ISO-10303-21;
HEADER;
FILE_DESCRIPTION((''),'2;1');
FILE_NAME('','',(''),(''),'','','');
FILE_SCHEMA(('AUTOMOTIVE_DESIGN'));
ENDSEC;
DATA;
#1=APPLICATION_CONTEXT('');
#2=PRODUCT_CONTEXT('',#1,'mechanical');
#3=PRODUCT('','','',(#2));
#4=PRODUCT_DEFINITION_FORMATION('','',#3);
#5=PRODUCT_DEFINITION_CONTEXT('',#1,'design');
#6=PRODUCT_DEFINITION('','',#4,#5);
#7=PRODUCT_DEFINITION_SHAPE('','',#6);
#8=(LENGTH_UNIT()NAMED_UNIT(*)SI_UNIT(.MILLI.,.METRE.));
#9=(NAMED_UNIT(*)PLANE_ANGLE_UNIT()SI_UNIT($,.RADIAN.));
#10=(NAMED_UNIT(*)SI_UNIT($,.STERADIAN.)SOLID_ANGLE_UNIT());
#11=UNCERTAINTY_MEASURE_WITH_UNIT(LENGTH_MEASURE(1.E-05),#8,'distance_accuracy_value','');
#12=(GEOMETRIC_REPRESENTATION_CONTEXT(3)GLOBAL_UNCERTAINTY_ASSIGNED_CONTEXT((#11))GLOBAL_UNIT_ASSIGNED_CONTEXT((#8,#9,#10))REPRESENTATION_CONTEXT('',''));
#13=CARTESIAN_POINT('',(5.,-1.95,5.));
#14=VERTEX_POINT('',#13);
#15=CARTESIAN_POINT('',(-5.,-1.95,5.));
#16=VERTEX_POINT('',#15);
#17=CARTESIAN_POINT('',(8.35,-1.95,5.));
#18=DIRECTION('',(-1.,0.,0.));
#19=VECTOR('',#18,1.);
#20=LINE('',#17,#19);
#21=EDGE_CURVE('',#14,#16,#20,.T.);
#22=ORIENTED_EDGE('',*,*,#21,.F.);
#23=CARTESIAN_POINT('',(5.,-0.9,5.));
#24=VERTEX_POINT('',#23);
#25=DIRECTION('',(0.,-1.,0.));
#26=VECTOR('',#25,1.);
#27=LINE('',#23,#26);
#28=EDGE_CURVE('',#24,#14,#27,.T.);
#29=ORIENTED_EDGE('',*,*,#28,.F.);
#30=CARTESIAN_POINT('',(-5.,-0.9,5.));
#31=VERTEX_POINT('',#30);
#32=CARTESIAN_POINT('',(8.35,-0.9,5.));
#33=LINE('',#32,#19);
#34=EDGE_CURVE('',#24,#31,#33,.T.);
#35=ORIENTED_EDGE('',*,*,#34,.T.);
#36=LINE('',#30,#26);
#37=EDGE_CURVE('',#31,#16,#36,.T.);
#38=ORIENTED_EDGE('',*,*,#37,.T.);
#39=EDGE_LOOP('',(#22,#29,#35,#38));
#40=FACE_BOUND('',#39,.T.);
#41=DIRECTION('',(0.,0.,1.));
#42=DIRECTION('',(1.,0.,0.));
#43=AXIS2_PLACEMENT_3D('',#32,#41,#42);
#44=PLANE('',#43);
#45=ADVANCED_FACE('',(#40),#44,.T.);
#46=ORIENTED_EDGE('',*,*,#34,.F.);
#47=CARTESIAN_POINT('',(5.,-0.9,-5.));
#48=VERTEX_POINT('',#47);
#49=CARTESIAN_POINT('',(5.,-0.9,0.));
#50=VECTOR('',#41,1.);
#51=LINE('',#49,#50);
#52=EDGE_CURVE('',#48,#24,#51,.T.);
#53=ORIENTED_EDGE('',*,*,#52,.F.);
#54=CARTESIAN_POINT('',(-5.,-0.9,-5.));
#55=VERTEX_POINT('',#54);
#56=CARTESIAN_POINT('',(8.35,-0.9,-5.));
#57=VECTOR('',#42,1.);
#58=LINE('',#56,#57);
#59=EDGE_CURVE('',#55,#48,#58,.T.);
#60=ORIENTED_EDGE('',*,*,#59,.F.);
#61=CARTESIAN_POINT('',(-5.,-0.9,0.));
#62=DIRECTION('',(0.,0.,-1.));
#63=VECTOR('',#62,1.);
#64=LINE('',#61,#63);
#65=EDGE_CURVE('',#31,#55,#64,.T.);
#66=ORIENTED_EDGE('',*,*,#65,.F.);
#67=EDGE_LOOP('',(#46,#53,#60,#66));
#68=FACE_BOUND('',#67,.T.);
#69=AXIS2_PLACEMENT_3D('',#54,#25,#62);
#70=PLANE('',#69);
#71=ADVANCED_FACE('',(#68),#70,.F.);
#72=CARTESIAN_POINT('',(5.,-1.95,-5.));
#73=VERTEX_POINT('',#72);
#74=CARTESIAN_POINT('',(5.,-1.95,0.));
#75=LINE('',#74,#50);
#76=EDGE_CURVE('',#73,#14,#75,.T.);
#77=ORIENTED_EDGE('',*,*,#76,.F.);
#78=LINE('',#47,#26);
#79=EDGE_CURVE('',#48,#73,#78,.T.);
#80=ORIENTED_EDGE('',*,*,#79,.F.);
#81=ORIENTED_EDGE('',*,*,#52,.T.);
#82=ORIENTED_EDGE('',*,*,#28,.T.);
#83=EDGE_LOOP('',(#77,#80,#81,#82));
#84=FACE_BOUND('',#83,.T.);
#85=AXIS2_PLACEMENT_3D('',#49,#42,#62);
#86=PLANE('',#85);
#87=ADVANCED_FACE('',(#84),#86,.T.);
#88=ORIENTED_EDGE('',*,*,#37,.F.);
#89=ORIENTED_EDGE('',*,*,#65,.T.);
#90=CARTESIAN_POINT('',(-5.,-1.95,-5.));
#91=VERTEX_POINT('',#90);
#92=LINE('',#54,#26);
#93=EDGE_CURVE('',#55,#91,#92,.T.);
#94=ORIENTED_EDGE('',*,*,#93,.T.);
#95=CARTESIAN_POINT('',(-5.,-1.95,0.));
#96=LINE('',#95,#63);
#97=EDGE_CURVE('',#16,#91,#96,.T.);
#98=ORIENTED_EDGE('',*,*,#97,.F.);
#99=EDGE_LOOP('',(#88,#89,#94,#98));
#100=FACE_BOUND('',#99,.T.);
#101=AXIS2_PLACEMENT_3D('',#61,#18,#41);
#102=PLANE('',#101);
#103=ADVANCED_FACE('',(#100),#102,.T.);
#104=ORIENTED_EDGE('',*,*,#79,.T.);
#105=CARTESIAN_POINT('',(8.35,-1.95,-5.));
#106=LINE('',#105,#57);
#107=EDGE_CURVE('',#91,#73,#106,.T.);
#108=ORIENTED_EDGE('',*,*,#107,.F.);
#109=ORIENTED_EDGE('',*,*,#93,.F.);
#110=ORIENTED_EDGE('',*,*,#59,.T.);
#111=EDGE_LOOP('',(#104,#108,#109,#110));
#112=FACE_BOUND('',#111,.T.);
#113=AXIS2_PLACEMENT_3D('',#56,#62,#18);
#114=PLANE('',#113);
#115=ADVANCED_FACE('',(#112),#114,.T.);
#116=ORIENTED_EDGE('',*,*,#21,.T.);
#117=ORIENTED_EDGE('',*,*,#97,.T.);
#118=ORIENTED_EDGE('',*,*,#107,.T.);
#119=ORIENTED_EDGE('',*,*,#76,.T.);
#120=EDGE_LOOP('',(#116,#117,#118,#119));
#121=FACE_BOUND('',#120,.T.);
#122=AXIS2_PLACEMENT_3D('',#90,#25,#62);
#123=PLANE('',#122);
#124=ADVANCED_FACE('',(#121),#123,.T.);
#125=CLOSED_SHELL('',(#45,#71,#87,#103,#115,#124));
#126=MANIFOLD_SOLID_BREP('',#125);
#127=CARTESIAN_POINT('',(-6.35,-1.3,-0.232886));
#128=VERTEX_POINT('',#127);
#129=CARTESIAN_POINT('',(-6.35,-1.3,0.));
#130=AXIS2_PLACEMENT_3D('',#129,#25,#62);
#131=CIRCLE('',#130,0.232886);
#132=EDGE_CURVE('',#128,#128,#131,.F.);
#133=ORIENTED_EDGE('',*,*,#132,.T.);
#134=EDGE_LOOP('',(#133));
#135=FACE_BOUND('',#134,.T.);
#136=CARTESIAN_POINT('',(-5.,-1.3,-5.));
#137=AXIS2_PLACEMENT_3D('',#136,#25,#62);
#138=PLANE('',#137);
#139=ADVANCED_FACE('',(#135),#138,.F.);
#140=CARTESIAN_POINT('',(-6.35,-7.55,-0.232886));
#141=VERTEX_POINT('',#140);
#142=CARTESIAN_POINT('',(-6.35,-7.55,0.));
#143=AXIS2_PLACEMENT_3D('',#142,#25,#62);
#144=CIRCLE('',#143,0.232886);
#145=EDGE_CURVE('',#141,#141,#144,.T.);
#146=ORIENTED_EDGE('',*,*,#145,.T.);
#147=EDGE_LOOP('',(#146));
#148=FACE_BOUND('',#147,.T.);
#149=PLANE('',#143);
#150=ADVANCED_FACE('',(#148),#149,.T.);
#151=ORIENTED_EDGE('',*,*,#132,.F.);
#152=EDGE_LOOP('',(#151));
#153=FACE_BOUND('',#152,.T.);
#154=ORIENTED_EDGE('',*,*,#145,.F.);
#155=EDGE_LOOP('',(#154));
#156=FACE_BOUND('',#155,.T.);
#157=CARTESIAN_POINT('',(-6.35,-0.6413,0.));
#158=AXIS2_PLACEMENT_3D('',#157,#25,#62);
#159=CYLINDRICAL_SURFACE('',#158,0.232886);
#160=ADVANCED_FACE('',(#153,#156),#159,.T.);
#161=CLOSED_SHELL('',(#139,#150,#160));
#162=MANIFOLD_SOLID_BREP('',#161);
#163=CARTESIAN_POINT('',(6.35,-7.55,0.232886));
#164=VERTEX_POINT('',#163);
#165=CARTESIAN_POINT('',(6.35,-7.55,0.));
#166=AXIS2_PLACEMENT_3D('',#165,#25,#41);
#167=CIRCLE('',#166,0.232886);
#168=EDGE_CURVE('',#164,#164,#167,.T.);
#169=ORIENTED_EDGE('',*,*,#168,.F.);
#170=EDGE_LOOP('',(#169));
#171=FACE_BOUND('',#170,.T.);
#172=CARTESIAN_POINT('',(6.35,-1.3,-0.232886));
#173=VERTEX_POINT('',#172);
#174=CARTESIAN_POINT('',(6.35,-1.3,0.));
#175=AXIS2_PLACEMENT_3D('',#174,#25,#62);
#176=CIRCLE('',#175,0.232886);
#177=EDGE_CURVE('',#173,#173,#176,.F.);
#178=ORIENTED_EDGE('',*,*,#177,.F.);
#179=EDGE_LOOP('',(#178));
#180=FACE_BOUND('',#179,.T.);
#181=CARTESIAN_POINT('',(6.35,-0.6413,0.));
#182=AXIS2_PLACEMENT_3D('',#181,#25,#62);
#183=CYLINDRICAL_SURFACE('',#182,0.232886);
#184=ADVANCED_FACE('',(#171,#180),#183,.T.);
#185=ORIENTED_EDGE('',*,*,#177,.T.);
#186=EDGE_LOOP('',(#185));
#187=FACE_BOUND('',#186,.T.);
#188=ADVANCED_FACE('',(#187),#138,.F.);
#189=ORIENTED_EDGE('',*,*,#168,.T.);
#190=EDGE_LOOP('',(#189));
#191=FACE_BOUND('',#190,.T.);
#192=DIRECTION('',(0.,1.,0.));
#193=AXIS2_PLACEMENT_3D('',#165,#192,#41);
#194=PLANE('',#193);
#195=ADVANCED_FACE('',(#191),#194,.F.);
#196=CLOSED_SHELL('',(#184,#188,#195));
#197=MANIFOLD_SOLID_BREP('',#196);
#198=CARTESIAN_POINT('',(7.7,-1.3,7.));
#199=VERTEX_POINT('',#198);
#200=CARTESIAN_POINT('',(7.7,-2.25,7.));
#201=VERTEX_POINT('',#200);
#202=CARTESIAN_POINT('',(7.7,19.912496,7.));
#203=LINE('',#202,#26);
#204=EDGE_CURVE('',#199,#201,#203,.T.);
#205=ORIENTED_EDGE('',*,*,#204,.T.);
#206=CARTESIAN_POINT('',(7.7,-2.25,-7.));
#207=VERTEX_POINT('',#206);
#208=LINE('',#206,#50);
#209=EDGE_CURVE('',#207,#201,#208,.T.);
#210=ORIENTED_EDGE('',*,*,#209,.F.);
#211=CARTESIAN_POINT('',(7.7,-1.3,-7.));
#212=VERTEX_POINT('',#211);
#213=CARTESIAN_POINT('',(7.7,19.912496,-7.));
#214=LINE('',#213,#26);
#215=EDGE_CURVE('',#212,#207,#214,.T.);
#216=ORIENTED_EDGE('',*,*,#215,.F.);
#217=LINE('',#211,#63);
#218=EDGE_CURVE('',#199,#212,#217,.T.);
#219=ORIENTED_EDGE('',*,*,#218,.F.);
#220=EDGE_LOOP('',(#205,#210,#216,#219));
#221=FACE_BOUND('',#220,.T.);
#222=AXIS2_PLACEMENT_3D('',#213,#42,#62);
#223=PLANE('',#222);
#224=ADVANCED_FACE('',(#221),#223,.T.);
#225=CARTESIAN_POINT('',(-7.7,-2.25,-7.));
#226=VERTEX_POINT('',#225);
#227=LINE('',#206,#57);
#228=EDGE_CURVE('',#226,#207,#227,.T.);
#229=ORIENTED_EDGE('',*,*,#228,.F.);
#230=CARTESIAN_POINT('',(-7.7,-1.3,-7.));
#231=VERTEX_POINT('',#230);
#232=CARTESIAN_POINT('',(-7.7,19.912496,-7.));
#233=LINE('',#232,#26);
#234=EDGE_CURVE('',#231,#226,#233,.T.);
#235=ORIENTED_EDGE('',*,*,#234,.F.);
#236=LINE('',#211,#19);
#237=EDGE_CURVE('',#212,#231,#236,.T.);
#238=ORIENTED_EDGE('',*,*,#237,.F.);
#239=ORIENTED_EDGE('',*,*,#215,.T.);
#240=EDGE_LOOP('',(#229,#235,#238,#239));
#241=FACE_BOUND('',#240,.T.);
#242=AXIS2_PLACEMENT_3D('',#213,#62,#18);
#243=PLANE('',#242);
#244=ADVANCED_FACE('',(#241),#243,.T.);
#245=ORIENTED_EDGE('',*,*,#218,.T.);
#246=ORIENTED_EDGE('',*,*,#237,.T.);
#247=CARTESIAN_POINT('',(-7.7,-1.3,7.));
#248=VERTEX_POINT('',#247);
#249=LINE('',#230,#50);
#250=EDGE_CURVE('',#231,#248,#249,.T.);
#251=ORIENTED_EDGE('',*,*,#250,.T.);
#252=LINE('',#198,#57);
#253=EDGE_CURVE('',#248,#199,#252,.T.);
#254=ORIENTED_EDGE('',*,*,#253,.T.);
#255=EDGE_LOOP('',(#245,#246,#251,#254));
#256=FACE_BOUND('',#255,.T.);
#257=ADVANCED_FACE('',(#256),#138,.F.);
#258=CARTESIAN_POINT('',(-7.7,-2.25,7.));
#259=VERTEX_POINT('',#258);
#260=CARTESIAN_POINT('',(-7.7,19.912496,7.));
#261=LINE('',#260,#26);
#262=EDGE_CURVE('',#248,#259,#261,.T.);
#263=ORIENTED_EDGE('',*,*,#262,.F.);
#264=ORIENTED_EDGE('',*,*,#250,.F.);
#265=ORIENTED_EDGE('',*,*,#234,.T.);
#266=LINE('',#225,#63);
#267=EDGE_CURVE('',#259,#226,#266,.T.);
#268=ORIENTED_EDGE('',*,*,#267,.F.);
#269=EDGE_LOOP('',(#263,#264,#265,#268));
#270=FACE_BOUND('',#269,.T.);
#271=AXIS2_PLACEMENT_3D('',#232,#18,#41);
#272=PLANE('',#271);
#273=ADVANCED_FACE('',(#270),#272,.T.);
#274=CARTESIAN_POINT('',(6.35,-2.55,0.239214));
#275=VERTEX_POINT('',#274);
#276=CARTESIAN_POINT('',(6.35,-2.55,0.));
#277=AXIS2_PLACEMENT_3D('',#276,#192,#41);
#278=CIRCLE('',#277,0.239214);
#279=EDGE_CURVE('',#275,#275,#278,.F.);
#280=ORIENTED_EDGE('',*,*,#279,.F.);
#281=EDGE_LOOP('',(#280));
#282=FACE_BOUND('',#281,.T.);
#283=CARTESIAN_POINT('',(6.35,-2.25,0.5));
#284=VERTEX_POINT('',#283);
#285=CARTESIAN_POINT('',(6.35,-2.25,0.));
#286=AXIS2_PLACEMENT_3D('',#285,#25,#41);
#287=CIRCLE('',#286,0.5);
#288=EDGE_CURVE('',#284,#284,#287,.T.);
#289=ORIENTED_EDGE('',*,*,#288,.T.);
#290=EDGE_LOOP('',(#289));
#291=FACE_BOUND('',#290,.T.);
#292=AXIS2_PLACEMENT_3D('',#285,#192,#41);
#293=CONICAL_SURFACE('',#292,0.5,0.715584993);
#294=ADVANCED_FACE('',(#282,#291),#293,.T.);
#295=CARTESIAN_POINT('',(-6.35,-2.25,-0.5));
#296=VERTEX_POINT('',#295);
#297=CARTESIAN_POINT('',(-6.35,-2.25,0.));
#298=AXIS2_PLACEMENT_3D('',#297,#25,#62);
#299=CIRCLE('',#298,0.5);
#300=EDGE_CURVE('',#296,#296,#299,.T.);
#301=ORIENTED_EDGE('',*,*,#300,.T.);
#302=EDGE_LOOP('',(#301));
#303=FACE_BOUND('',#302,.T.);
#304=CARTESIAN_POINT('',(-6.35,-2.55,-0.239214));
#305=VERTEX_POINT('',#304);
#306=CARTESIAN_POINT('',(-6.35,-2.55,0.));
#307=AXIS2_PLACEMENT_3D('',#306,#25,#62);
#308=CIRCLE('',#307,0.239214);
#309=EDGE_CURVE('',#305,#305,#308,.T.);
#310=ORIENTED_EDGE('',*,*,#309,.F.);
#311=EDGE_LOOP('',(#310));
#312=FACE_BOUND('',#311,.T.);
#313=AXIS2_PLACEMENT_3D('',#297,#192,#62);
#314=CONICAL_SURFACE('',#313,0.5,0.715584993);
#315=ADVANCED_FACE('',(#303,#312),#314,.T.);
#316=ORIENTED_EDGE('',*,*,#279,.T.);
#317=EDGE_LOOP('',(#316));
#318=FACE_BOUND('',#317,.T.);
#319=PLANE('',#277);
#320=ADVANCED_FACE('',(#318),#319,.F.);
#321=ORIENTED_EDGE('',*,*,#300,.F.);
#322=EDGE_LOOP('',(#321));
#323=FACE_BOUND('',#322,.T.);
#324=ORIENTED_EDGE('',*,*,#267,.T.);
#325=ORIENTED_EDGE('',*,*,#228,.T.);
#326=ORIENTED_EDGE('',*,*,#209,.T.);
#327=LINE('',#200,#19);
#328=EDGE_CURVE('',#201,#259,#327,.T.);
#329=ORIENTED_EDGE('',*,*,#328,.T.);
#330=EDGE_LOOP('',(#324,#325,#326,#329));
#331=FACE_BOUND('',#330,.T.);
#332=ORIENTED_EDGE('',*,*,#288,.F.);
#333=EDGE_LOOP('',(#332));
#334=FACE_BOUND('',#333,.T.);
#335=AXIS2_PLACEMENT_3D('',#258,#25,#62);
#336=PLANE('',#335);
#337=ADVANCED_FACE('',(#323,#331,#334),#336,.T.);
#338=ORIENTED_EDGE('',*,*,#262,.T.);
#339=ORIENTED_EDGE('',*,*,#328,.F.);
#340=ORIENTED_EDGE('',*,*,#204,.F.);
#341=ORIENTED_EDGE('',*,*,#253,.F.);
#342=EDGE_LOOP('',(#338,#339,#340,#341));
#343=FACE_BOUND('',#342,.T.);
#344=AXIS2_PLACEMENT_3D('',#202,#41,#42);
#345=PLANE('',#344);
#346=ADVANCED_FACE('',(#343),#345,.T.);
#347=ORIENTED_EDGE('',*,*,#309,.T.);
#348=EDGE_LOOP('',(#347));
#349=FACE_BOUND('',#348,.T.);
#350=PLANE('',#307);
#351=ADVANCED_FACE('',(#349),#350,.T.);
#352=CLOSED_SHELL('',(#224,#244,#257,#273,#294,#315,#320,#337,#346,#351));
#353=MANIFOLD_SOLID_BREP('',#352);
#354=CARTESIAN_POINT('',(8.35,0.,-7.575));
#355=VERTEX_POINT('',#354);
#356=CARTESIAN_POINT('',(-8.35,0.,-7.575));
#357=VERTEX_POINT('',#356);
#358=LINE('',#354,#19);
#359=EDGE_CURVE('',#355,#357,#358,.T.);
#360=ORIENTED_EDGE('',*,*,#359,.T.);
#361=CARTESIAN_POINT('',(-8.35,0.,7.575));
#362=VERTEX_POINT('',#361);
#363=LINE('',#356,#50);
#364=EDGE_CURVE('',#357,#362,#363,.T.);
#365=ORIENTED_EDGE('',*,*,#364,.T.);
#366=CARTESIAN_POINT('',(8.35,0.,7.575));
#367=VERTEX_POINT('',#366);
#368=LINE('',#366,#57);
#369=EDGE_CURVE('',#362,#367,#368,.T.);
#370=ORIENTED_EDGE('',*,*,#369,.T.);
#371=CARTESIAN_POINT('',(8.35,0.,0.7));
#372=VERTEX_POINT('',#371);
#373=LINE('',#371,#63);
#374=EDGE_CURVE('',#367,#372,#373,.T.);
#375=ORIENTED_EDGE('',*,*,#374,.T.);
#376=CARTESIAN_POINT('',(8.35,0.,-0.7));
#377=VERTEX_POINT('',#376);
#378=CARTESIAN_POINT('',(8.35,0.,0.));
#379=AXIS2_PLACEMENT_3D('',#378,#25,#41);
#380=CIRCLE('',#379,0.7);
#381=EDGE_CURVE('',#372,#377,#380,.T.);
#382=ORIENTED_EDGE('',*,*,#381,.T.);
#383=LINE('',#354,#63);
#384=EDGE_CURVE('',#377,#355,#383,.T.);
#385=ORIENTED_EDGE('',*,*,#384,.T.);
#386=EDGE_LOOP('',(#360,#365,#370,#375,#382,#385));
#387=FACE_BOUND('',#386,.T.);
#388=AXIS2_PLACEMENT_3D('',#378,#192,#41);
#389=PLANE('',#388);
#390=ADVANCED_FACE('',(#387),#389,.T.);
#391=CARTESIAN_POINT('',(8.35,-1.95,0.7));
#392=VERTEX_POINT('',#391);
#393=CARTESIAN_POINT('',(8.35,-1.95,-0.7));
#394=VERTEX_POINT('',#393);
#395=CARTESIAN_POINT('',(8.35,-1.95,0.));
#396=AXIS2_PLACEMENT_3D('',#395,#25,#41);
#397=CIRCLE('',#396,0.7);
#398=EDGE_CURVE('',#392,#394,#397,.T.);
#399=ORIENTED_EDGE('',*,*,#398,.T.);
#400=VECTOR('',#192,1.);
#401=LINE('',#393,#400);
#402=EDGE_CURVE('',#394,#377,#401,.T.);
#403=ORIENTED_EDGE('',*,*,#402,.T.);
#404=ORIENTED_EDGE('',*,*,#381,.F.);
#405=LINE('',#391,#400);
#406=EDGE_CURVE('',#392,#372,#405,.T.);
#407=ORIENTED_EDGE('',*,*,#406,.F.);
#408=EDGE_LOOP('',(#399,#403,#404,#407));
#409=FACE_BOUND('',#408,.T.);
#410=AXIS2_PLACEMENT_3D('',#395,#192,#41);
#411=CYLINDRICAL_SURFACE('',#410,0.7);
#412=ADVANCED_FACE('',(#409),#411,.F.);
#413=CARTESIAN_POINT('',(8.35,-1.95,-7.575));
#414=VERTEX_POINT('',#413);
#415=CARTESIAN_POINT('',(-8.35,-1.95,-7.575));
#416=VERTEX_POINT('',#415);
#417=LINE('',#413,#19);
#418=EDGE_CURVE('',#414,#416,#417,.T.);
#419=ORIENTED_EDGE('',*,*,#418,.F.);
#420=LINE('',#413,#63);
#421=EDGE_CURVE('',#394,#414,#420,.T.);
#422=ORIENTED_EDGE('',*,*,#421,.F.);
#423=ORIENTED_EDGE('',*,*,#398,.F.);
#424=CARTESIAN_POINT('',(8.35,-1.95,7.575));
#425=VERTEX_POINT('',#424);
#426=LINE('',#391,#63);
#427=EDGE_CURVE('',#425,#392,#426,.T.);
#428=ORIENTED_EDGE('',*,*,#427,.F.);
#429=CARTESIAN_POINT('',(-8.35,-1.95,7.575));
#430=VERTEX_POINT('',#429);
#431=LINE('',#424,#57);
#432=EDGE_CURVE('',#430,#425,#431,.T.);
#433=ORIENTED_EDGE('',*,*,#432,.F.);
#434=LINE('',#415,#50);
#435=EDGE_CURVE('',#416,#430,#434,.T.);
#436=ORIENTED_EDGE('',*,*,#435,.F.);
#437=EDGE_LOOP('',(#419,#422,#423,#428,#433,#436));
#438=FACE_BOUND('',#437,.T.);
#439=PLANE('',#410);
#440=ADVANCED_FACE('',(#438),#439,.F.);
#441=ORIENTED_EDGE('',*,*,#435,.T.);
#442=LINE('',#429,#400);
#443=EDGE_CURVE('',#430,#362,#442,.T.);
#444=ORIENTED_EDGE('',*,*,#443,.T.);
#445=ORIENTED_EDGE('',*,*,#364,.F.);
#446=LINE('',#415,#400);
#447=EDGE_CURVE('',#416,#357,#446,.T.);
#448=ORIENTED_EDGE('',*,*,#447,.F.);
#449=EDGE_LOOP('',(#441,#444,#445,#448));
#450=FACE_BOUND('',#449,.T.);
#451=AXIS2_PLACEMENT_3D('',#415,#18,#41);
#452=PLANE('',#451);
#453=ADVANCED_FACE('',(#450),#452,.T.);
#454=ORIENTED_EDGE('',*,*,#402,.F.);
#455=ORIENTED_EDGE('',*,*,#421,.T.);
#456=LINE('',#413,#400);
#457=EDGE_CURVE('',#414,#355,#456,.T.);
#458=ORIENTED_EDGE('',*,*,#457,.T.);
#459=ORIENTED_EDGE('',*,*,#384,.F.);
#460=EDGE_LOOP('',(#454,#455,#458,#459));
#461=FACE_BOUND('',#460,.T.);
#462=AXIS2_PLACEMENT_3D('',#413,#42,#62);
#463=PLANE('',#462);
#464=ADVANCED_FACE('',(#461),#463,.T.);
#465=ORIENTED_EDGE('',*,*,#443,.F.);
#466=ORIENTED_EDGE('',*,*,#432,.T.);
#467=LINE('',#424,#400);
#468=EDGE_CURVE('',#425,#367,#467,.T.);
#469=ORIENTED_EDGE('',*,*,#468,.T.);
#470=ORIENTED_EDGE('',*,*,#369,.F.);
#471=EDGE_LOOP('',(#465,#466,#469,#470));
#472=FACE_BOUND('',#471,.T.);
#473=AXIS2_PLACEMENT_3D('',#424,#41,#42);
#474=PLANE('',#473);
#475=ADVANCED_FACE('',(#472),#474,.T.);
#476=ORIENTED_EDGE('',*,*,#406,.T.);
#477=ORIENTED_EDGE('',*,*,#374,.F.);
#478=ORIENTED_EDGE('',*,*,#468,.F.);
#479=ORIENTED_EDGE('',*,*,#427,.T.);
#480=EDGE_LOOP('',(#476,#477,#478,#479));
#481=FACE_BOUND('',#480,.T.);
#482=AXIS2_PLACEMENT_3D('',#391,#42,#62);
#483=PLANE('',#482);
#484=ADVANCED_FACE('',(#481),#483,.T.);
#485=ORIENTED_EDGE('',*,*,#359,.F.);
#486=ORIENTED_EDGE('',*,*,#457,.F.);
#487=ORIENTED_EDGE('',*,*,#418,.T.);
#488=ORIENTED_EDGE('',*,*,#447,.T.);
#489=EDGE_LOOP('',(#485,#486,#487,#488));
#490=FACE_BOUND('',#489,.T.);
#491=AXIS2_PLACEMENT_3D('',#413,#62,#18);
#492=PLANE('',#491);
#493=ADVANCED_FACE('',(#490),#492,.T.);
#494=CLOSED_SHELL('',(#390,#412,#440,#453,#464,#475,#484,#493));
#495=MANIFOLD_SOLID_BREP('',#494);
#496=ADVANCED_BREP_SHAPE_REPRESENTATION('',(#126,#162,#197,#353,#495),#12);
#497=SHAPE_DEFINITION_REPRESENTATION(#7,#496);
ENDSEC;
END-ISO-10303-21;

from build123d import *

# Parameters (mm, degrees)
BOSS_EXTRUDE1_DEPTH         = 1.95
SKETCH3_W                   = 10
SKETCH3_H                   = 10
BOSS_EXTRUDE6_DEPTH         = 1.05
SKETCH12_W                  = 15.4
SKETCH12_H                  = 14
BOSS_EXTRUDE11_DEPTH        = 0.3
BOSS_EXTRUDE11_DEPTH_BACK   = 0.65
SKETCH13_R                  = 0.5
BOSS_EXTRUDE12_DEPTH        = 0.3
BOSS_EXTRUDE12_TAPER        = 41
SKETCH14_R                  = 0.232885615
BOSS_EXTRUDE15_DEPTH        = 5
BOSS_EXTRUDE15_DEPTH_BACK   = 1.25
BOSS_EXTRUDE15_2_DEPTH      = 5
BOSS_EXTRUDE15_2_DEPTH_BACK = 1.25


with BuildPart() as part:
    # Sketch1 → Boss-Extrude1 (new body)
    with BuildSketch(Plane(origin=(0, 0, 0), x_dir=(1, 0, 0), z_dir=(0, 1, 0))):
        with BuildLine():
            Line((8.35, -0.7), (8.35, -7.575))
            Line((8.35, -7.575), (-8.35, -7.575))
            Line((-8.35, -7.575), (-8.35, 7.575))
            Line((-8.35, 7.575), (8.35, 7.575))
            Line((8.35, 7.575), (8.35, 0.7))
            ThreePointArc((8.35, 0.7), (7.65, 0), (8.35, -0.7))
        make_face()
    extrude(amount=-BOSS_EXTRUDE1_DEPTH)


with BuildPart() as body_2:
    # Sketch3 → Boss-Extrude6 (new body)
    with BuildSketch(Plane.XZ.offset(1.95)):
        Rectangle(SKETCH3_W, SKETCH3_H)
    extrude(amount=-BOSS_EXTRUDE6_DEPTH)


with BuildPart() as body_3:
    # Sketch12 → Boss-Extrude11 (new body, two sides)
    with BuildSketch(Plane.XZ.offset(1.95)) as boss_extrude11_sk:
        Rectangle(SKETCH12_W, SKETCH12_H)
    extrude(amount=BOSS_EXTRUDE11_DEPTH)
    extrude(boss_extrude11_sk.sketch, amount=-BOSS_EXTRUDE11_DEPTH_BACK)

    # Sketch13 → Boss-Extrude12 (add)
    with BuildSketch(Plane.XZ.offset(2.25)):
        with Locations((-6.35, 0)):
            Circle(SKETCH13_R)
        with Locations((6.35, 0)):
            Circle(SKETCH13_R)
    extrude(amount=BOSS_EXTRUDE12_DEPTH, taper=BOSS_EXTRUDE12_TAPER)


with BuildPart() as body_4:
    # Sketch14 → Boss-Extrude15 (new body, two sides)
    with BuildSketch(Plane.XZ.offset(2.55)) as boss_extrude15_sk:
        with Locations(Location((-6.35, 0, 0), (0, 0, 270))):  # turned: the seam where the file's is
            Circle(SKETCH14_R)
    extrude(amount=BOSS_EXTRUDE15_DEPTH)
    extrude(boss_extrude15_sk.sketch, amount=-BOSS_EXTRUDE15_DEPTH_BACK)


with BuildPart() as body_5:
    # Sketch14 → Boss-Extrude15 2 (new body, two sides)
    with BuildSketch(Plane.XZ.offset(2.55)) as boss_extrude15_2_sk:
        with Locations(Location((6.35, 0, 0), (0, 0, 270))):  # turned: the seam where the file's is
            Circle(SKETCH14_R)
    extrude(amount=BOSS_EXTRUDE15_2_DEPTH)
    extrude(boss_extrude15_2_sk.sketch, amount=-BOSS_EXTRUDE15_2_DEPTH_BACK)


solid = Compound([part.part, body_2.part, body_3.part, body_4.part, body_5.part])
